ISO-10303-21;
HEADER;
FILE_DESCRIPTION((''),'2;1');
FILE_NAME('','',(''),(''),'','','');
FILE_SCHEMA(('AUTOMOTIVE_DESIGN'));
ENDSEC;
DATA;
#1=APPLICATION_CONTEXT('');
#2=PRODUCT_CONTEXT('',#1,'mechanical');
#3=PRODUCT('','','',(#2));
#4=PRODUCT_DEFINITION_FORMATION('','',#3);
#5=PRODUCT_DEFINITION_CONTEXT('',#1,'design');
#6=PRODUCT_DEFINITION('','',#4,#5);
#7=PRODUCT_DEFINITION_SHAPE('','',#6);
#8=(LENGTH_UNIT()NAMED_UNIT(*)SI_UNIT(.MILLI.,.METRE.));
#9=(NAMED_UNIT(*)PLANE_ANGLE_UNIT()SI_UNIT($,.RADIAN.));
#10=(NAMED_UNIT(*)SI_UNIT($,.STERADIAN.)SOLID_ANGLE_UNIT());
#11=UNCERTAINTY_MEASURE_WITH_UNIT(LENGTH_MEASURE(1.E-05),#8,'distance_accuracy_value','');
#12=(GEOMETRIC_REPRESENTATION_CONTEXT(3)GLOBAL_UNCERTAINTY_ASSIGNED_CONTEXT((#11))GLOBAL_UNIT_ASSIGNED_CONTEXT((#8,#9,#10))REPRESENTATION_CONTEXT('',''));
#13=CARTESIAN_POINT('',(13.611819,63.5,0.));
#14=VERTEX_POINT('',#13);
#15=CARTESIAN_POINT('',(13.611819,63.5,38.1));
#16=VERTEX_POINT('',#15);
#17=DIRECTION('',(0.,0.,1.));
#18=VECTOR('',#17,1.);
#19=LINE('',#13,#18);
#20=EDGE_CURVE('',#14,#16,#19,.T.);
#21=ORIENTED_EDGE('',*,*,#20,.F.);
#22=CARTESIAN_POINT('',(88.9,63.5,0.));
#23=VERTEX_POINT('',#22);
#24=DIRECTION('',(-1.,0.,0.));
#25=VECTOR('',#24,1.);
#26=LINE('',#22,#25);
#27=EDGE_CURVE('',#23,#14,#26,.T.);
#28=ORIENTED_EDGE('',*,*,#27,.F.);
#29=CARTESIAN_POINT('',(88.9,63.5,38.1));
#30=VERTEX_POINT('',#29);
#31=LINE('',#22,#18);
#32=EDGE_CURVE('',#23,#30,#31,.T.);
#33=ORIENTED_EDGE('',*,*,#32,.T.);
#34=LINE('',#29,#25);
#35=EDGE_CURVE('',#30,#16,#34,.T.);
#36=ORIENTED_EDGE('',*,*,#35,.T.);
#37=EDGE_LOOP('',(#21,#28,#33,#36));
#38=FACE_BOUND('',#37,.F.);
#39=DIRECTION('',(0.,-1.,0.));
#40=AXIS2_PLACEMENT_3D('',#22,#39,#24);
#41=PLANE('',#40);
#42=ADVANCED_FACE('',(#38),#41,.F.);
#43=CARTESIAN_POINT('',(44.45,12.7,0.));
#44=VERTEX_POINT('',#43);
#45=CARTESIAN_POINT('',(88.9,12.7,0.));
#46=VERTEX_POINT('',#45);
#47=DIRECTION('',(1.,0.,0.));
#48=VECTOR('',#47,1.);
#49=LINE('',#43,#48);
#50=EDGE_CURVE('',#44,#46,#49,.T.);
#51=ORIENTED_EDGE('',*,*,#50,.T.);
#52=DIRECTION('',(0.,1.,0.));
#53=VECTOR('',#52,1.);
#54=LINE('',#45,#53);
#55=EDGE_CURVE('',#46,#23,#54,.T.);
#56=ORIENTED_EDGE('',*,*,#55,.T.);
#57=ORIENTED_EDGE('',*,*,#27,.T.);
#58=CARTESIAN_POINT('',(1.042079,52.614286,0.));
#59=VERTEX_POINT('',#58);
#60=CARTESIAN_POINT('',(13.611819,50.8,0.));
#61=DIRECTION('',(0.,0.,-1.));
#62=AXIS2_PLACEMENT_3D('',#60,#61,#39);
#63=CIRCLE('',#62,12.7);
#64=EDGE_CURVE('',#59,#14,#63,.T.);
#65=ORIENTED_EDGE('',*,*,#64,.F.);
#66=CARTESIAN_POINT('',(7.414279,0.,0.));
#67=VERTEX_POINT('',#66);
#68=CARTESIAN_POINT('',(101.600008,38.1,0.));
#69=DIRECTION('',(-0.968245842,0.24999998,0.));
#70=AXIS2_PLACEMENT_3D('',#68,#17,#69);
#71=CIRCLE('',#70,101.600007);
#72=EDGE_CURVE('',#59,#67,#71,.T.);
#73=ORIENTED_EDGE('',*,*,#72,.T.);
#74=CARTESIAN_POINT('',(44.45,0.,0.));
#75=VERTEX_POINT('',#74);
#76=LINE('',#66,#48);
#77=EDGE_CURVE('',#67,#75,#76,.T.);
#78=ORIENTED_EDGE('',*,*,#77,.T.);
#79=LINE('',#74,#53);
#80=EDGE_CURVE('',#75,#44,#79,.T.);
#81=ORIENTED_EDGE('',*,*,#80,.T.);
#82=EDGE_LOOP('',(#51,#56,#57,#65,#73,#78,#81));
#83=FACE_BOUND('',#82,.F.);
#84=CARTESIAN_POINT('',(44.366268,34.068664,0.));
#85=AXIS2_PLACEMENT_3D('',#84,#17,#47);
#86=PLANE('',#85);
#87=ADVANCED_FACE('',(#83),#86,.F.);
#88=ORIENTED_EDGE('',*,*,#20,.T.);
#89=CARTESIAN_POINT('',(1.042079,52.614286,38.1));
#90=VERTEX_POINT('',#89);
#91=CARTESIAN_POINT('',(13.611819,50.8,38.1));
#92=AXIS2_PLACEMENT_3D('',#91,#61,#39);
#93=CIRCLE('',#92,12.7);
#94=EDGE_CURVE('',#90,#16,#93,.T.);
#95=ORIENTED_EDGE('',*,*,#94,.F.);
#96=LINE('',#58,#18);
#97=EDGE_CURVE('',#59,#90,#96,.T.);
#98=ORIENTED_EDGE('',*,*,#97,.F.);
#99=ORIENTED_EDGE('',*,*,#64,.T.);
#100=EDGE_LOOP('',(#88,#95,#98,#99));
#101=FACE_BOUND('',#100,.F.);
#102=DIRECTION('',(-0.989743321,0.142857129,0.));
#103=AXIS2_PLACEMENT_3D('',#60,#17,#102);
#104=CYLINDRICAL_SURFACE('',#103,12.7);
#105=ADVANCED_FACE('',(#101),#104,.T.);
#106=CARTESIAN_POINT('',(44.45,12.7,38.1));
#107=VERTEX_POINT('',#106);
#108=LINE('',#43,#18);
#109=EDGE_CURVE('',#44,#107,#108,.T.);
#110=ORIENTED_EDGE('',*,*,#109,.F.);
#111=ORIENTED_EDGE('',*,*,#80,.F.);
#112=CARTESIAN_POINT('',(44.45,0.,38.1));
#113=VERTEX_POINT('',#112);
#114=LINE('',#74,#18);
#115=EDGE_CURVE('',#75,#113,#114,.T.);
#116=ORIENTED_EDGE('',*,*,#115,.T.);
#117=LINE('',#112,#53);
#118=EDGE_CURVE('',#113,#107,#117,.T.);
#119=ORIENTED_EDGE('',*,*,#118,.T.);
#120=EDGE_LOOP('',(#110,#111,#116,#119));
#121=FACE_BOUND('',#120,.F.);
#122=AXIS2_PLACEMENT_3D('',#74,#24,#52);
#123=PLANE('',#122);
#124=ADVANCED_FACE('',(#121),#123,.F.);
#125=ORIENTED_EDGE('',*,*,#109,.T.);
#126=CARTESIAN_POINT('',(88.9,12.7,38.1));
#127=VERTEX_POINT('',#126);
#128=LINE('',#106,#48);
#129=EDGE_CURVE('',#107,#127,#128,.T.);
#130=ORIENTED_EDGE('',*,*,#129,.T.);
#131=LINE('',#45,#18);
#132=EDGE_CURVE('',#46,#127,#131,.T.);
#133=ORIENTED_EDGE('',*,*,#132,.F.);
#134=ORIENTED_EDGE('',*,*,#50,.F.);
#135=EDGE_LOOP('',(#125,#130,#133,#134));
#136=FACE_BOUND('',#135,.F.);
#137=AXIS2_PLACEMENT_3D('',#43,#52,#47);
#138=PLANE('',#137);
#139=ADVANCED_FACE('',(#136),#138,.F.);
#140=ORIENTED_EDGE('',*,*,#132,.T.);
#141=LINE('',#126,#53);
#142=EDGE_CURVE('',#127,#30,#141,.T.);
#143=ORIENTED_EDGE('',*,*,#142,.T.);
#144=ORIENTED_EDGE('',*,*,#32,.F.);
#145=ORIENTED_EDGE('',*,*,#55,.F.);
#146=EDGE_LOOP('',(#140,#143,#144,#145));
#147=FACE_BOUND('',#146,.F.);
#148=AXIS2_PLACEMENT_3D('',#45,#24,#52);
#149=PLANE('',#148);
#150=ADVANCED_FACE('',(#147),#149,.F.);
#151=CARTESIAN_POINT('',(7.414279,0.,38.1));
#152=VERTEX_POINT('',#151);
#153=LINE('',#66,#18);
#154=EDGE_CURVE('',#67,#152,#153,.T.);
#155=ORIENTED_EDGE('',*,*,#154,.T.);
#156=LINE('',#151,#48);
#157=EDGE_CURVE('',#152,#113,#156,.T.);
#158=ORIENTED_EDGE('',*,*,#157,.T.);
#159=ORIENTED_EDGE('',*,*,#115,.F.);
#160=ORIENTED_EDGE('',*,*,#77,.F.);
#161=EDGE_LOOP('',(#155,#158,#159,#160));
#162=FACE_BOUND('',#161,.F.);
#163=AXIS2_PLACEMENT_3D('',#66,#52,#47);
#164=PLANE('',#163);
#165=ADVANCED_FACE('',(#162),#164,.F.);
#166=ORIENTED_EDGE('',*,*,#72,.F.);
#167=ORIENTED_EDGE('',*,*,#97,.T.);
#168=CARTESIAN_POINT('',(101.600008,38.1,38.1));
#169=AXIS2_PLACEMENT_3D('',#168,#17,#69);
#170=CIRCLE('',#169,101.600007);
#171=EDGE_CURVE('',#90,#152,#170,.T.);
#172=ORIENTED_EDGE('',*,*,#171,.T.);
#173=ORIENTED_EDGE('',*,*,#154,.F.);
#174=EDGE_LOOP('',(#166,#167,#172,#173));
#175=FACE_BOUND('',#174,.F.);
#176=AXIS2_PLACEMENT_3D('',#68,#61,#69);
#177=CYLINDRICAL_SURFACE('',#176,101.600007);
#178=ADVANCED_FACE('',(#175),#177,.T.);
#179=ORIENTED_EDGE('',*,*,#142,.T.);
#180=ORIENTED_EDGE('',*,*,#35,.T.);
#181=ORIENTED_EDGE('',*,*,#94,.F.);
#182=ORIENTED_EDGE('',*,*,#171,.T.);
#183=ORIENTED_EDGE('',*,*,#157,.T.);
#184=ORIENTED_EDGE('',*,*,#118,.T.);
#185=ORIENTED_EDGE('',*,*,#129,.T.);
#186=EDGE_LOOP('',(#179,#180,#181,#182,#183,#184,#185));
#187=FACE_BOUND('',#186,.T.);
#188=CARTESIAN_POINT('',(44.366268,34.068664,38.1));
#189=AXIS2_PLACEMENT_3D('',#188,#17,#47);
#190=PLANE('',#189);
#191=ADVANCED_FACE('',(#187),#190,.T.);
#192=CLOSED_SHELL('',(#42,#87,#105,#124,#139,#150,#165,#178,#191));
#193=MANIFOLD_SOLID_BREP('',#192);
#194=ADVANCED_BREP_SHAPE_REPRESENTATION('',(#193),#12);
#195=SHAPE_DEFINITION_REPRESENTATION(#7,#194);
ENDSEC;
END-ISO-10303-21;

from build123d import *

# Parameters (mm, degrees)
F1_DEPTH = 38.1
F2_R     = 12.7


with BuildPart() as f1:
    # F0 (on Top) → F1 (new body)
    with BuildSketch(Plane.XY):
        with BuildLine():
            ThreePointArc((3.226223, 63.5), (0.220256, 31.413637), (7.414279, 0))
            Line((7.414279, 0), (44.45, 0))
            Line((44.45, 0), (44.45, 12.7))
            Line((44.45, 12.7), (88.9, 12.7))
            Line((88.9, 12.7), (88.9, 63.5))
            Line((88.9, 63.5), (3.226223, 63.5))
        make_face()
    extrude(amount=F1_DEPTH)

    # F2
    f2_edges = [f1.edges().sort_by_distance(p)[0] for p in [
        (3.226223, 63.5, 19.05),
    ]]
    fillet(f2_edges, radius=F2_R)


solid = f1.part
